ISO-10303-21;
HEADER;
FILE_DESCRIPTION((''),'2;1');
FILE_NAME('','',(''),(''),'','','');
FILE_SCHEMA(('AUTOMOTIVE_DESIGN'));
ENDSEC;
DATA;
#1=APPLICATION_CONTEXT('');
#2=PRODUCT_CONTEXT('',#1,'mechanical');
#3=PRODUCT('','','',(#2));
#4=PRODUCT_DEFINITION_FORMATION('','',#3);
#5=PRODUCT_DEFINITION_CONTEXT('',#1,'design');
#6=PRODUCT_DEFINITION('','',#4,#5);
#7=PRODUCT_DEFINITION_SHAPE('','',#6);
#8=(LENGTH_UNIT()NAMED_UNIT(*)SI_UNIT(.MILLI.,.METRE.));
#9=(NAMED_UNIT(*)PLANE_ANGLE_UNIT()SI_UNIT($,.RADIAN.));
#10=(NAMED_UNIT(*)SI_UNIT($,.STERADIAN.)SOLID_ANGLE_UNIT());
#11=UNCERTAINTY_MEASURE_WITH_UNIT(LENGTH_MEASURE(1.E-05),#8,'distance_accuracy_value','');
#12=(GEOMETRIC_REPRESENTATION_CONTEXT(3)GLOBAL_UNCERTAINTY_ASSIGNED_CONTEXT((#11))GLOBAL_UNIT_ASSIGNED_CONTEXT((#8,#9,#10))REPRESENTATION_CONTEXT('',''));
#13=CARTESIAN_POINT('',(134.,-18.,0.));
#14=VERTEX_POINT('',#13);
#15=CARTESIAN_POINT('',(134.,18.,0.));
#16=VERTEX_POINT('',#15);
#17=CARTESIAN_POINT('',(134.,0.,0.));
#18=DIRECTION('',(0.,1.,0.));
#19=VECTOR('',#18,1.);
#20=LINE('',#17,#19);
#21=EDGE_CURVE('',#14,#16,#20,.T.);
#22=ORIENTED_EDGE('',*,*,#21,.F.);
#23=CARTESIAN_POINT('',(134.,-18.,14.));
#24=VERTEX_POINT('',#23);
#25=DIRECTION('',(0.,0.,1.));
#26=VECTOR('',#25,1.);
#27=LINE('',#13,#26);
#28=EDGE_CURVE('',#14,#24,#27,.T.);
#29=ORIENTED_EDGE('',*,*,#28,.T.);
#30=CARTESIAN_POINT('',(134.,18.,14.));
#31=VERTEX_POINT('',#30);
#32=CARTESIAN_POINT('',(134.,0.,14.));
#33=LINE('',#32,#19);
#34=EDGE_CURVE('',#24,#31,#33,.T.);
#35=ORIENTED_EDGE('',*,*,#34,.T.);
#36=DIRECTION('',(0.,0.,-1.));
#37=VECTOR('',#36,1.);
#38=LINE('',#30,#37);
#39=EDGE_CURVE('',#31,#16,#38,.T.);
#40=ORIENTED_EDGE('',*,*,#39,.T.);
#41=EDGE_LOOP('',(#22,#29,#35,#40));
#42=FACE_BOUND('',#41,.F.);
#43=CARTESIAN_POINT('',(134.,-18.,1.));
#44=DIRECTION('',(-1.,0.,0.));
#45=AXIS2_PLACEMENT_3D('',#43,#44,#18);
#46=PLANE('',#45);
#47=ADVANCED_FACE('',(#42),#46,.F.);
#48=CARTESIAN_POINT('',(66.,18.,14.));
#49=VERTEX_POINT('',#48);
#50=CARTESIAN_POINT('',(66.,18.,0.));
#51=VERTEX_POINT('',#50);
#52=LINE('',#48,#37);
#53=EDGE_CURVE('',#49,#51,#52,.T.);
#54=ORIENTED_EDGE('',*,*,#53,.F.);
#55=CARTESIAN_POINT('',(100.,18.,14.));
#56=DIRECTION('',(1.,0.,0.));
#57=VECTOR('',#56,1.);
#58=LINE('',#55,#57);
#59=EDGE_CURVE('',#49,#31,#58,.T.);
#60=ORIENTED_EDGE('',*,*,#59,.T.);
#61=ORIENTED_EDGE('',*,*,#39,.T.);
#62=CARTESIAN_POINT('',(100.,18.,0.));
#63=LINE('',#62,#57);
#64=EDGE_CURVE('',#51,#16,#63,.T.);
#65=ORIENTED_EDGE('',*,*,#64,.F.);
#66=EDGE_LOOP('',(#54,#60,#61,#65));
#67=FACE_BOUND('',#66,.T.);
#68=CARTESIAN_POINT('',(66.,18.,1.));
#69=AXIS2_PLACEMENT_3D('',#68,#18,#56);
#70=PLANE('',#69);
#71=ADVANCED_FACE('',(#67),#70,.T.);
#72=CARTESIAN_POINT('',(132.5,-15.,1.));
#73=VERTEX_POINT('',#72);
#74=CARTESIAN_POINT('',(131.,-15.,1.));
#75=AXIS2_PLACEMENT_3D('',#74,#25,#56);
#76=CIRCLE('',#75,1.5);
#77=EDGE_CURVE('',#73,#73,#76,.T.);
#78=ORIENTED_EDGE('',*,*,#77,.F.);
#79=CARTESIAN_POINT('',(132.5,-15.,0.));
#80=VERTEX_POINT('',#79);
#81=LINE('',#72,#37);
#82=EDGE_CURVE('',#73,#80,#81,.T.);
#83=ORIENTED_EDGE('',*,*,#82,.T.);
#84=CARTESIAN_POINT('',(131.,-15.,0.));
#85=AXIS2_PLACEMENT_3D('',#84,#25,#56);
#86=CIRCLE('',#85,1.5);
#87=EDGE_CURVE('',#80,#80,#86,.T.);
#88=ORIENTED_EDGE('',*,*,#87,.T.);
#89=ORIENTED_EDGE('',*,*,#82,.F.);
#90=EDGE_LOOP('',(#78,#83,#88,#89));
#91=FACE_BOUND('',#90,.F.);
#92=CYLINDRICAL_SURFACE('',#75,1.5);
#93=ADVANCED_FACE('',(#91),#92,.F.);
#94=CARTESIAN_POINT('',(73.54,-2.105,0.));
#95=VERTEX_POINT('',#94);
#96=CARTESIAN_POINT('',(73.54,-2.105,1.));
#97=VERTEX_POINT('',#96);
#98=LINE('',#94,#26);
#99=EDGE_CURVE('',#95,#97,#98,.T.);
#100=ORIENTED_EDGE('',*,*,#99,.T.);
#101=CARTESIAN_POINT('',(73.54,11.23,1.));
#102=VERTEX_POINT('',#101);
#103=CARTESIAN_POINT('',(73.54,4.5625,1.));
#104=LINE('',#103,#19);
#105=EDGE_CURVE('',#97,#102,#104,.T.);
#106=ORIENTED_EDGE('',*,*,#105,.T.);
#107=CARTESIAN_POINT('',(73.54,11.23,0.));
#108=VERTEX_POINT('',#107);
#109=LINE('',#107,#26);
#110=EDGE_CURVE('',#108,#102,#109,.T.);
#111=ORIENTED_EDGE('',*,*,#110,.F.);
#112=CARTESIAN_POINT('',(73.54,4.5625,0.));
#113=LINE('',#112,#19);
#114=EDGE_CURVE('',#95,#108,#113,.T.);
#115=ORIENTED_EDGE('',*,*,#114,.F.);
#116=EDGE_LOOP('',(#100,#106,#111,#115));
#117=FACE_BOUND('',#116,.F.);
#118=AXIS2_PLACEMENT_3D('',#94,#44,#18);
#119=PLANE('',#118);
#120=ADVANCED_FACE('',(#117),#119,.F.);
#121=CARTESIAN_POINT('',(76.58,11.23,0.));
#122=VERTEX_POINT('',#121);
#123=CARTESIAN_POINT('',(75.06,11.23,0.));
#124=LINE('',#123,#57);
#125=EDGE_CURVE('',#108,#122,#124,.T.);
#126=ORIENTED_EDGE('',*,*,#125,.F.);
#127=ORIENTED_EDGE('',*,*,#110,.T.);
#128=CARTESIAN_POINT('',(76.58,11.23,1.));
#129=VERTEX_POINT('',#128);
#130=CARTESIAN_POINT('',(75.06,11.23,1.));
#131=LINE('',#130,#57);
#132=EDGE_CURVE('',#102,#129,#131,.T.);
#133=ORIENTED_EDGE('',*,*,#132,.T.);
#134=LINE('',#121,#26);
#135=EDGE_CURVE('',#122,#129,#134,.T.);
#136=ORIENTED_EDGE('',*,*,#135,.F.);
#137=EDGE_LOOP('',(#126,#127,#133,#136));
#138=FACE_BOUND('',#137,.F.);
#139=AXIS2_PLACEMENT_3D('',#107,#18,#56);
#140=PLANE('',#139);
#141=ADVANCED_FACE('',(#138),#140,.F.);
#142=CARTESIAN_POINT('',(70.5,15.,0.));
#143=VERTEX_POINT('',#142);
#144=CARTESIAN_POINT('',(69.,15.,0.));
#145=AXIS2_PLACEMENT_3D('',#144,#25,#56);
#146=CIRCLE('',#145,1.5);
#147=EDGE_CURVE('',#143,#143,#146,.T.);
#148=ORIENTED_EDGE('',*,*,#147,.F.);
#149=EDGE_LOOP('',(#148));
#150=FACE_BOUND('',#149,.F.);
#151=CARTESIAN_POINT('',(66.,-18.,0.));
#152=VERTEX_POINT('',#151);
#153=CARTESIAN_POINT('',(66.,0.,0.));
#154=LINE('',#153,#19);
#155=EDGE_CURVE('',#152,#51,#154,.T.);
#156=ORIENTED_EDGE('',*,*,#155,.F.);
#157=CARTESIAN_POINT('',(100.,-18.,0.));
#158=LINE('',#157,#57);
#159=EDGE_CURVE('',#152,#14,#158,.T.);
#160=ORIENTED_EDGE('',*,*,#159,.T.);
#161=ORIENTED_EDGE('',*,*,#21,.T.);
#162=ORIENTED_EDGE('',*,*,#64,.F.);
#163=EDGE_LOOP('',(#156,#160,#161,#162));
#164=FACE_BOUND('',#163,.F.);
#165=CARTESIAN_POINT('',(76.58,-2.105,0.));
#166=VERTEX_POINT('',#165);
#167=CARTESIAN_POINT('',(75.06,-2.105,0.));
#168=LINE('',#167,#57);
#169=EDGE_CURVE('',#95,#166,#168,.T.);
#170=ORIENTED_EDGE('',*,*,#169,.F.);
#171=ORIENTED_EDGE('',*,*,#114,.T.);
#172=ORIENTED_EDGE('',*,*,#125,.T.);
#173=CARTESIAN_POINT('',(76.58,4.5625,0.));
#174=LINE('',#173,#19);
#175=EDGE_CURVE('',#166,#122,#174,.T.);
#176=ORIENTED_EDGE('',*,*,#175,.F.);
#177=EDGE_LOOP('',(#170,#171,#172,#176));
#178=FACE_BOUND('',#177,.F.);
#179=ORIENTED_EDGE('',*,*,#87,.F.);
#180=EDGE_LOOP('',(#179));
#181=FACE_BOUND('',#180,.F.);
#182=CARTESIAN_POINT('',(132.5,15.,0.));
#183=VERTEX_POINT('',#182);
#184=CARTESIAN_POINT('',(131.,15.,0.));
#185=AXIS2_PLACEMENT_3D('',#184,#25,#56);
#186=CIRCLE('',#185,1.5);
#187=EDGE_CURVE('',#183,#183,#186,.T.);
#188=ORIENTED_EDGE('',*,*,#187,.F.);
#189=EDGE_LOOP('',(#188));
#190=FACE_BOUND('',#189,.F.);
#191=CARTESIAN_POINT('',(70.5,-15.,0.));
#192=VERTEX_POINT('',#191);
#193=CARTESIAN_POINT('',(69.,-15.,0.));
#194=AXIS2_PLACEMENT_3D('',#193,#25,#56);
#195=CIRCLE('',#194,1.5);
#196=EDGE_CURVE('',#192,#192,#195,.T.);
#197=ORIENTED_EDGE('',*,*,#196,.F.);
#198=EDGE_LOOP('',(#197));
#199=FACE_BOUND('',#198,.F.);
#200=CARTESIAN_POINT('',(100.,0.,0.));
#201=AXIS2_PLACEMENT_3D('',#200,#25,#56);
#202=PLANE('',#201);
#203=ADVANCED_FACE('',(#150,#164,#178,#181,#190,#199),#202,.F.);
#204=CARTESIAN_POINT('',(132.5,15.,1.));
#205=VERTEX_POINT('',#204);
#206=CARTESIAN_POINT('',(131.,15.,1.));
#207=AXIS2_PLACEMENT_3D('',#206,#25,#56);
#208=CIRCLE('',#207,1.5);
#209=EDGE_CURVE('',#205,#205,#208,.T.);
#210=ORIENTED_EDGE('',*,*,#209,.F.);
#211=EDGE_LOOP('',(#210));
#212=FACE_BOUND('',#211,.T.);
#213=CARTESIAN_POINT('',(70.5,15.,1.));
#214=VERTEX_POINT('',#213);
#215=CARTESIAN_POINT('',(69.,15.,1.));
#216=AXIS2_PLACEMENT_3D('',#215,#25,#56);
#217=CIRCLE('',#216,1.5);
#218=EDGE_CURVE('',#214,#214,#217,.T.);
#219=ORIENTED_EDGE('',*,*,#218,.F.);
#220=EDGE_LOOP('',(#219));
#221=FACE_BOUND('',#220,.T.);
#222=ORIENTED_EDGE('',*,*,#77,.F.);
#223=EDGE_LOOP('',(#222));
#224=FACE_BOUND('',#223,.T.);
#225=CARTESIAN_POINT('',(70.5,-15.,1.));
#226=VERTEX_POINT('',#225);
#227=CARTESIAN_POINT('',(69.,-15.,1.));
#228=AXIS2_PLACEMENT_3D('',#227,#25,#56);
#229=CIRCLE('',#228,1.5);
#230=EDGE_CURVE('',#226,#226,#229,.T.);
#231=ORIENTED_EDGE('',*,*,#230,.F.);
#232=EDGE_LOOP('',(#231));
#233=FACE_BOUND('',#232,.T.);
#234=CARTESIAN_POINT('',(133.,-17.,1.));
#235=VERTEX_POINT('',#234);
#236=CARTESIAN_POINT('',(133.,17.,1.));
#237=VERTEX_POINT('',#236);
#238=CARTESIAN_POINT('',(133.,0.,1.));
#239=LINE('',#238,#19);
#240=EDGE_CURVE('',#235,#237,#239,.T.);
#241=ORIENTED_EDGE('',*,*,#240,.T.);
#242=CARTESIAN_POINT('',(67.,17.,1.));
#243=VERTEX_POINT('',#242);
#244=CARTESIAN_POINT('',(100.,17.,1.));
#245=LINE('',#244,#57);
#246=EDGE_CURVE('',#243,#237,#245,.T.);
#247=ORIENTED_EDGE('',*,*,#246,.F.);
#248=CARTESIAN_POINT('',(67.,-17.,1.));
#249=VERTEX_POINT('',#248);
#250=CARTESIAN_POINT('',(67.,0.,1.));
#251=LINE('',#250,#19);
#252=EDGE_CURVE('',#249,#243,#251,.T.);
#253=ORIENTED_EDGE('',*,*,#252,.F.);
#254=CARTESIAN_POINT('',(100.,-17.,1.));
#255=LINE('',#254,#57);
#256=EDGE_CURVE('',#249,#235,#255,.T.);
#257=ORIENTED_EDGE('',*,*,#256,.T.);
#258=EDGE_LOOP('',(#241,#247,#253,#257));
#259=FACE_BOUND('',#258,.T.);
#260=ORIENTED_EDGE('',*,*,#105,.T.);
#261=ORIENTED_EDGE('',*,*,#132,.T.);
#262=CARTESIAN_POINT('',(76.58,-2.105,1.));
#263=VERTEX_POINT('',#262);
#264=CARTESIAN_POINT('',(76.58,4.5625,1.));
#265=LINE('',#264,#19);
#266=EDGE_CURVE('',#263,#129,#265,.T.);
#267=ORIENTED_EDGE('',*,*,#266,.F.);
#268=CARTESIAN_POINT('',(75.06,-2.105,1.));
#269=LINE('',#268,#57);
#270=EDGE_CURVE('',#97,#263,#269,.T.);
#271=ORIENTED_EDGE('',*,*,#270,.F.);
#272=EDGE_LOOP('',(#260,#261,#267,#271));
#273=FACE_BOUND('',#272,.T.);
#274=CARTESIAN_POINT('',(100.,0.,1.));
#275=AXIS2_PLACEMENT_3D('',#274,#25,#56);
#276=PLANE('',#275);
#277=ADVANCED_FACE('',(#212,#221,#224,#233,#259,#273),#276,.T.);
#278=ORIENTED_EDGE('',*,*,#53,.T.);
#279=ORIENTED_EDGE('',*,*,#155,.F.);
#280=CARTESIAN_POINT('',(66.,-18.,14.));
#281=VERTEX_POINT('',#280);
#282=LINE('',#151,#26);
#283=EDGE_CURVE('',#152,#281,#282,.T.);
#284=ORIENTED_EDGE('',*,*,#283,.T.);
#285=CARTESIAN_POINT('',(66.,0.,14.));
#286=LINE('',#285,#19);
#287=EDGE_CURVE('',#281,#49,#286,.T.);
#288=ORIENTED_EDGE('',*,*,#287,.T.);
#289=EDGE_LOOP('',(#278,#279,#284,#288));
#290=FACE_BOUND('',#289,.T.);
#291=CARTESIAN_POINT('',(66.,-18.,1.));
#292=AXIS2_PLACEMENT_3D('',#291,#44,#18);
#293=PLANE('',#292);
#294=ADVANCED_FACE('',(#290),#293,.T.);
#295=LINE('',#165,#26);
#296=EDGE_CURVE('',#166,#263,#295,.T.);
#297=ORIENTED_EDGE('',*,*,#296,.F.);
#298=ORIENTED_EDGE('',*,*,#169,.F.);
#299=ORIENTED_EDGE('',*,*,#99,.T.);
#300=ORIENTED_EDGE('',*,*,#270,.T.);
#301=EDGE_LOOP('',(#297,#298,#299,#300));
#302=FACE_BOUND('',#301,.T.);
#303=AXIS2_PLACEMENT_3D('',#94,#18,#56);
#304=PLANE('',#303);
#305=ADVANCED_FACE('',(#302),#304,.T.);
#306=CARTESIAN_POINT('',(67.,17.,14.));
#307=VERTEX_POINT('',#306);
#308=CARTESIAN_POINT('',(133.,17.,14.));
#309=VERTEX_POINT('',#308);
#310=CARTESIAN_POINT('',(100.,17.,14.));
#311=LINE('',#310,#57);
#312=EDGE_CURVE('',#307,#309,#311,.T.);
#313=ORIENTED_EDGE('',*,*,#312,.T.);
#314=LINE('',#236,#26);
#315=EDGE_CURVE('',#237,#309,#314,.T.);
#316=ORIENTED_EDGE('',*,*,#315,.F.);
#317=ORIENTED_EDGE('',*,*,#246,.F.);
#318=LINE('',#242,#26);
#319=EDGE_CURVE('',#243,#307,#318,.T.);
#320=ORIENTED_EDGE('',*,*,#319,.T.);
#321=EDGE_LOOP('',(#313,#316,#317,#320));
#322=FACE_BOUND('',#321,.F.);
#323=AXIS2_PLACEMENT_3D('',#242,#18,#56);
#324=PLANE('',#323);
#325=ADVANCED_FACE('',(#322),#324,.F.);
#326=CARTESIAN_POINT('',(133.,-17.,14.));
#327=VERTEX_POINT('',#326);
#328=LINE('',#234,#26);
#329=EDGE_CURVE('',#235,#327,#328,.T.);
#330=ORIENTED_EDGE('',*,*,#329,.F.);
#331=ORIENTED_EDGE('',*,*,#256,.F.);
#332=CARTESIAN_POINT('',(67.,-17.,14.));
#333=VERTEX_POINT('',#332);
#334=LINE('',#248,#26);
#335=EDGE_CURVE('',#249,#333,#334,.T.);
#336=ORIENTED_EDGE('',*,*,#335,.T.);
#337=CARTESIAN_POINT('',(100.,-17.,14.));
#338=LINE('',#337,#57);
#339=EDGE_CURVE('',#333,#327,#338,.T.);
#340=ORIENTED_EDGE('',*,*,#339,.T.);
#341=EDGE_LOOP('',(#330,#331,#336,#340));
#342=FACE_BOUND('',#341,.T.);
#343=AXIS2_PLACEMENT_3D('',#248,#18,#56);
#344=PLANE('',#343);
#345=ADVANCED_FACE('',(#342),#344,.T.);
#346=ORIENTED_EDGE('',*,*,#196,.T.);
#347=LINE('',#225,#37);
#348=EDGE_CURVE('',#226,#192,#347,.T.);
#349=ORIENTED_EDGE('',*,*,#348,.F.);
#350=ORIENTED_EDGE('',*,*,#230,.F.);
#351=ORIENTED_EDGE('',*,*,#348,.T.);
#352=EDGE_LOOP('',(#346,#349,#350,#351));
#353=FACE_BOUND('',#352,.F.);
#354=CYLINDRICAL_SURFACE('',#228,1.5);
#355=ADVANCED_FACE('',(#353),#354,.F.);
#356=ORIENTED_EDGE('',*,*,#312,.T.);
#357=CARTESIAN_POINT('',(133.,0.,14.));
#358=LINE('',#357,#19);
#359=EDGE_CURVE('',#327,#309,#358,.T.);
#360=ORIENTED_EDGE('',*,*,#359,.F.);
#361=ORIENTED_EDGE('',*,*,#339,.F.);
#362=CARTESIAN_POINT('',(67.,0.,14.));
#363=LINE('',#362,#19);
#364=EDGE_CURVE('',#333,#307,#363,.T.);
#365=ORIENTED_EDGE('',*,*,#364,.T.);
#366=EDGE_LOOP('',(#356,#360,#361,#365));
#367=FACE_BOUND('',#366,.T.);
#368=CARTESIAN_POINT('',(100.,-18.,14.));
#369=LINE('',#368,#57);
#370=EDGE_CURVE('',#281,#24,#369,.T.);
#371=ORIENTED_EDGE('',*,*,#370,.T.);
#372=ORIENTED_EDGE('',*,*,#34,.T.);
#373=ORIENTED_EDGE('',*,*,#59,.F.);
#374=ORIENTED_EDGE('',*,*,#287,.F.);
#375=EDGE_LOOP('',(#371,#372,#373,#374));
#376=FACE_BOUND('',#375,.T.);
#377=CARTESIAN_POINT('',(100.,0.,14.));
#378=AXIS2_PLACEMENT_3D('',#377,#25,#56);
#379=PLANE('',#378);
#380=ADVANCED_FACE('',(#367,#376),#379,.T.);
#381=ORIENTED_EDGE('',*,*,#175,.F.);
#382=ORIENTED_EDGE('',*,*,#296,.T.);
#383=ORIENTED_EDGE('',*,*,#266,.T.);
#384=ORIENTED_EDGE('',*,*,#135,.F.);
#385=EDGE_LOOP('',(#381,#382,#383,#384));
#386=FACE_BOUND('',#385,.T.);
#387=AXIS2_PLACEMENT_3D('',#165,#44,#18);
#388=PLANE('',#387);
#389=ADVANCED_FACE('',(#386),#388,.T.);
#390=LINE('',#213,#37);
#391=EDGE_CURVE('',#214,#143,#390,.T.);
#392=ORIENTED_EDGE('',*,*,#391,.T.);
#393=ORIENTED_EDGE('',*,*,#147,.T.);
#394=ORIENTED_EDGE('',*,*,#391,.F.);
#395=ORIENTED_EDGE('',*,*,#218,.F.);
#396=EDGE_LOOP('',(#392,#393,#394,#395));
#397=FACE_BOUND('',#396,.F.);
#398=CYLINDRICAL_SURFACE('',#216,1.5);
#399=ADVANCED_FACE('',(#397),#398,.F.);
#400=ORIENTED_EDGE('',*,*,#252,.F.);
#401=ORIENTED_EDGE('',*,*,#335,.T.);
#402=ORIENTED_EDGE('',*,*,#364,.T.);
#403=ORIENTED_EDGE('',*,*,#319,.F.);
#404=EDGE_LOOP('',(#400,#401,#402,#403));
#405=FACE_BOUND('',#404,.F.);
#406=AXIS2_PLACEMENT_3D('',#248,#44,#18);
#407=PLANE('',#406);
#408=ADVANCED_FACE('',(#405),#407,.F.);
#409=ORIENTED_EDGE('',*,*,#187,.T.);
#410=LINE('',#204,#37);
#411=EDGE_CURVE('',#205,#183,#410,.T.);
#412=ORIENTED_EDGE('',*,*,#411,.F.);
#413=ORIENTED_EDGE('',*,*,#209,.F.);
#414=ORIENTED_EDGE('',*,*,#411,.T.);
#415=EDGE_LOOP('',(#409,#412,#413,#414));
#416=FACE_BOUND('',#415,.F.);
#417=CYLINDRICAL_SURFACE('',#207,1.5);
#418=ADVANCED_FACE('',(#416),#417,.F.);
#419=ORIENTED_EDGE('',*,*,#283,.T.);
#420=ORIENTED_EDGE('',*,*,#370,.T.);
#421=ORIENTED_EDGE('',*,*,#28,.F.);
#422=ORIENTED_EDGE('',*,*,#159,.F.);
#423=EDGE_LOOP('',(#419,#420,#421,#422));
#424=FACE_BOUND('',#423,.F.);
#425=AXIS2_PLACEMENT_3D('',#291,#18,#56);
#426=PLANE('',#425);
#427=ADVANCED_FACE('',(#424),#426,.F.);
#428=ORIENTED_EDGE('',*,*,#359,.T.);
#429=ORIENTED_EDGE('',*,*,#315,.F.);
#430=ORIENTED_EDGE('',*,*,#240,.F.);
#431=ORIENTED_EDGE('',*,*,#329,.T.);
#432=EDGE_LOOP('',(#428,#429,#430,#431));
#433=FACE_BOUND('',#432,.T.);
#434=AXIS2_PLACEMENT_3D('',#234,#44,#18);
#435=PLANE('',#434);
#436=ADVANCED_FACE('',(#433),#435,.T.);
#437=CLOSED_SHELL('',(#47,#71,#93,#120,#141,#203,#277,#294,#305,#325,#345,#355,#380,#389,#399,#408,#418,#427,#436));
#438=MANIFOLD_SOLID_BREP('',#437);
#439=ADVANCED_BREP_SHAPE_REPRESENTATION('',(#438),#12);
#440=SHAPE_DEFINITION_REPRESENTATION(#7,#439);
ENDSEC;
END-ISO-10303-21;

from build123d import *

# Parameters (mm, degrees)
SKETCH023_W     = 68
SKETCH023_H     = 36
SKETCH023_W_2   = 3.04
SKETCH023_H_2   = 13.335
PAD011_DEPTH    = 1
SKETCH024_W     = 68
SKETCH024_H     = 36
SKETCH024_W_2   = 66
SKETCH024_H_2   = 34
PAD012_DEPTH    = 13
SKETCH039_R     = 1.5
POCKET005_DEPTH = 1.001


with BuildPart() as part:
    # Sketch023 → Pad011 (new body)
    with BuildSketch(Plane.XY):
        Rectangle(SKETCH023_W, SKETCH023_H)
        with Locations((-24.94, 4.5625)):
            Rectangle(SKETCH023_W_2, SKETCH023_H_2, mode=Mode.SUBTRACT)
    extrude(amount=PAD011_DEPTH)

    # Sketch024 (on Face10 of Pad011) → Pad012 (join)
    with BuildSketch(Plane.XY.offset(1)):
        Rectangle(SKETCH024_W, SKETCH024_H)
        Rectangle(SKETCH024_W_2, SKETCH024_H_2, mode=Mode.SUBTRACT)
    extrude(amount=PAD012_DEPTH)

    # Sketch039 (on Face15 of Pad012) → Pocket005 (cut, through all)
    with BuildSketch(Plane.XY.offset(1)):
        with Locations((-31, 15)):
            Circle(SKETCH039_R)
        with Locations((31, 15)):
            Circle(SKETCH039_R)
        with Locations((31, -15)):
            Circle(SKETCH039_R)
        with Locations((-31, -15)):
            Circle(SKETCH039_R)
    extrude(amount=-POCKET005_DEPTH, mode=Mode.SUBTRACT)


with BuildPart() as part_1:
    # Body003 placement: moved
    add(part.part.moved(Location((100, 0, 0))))


solid = part_1.part
